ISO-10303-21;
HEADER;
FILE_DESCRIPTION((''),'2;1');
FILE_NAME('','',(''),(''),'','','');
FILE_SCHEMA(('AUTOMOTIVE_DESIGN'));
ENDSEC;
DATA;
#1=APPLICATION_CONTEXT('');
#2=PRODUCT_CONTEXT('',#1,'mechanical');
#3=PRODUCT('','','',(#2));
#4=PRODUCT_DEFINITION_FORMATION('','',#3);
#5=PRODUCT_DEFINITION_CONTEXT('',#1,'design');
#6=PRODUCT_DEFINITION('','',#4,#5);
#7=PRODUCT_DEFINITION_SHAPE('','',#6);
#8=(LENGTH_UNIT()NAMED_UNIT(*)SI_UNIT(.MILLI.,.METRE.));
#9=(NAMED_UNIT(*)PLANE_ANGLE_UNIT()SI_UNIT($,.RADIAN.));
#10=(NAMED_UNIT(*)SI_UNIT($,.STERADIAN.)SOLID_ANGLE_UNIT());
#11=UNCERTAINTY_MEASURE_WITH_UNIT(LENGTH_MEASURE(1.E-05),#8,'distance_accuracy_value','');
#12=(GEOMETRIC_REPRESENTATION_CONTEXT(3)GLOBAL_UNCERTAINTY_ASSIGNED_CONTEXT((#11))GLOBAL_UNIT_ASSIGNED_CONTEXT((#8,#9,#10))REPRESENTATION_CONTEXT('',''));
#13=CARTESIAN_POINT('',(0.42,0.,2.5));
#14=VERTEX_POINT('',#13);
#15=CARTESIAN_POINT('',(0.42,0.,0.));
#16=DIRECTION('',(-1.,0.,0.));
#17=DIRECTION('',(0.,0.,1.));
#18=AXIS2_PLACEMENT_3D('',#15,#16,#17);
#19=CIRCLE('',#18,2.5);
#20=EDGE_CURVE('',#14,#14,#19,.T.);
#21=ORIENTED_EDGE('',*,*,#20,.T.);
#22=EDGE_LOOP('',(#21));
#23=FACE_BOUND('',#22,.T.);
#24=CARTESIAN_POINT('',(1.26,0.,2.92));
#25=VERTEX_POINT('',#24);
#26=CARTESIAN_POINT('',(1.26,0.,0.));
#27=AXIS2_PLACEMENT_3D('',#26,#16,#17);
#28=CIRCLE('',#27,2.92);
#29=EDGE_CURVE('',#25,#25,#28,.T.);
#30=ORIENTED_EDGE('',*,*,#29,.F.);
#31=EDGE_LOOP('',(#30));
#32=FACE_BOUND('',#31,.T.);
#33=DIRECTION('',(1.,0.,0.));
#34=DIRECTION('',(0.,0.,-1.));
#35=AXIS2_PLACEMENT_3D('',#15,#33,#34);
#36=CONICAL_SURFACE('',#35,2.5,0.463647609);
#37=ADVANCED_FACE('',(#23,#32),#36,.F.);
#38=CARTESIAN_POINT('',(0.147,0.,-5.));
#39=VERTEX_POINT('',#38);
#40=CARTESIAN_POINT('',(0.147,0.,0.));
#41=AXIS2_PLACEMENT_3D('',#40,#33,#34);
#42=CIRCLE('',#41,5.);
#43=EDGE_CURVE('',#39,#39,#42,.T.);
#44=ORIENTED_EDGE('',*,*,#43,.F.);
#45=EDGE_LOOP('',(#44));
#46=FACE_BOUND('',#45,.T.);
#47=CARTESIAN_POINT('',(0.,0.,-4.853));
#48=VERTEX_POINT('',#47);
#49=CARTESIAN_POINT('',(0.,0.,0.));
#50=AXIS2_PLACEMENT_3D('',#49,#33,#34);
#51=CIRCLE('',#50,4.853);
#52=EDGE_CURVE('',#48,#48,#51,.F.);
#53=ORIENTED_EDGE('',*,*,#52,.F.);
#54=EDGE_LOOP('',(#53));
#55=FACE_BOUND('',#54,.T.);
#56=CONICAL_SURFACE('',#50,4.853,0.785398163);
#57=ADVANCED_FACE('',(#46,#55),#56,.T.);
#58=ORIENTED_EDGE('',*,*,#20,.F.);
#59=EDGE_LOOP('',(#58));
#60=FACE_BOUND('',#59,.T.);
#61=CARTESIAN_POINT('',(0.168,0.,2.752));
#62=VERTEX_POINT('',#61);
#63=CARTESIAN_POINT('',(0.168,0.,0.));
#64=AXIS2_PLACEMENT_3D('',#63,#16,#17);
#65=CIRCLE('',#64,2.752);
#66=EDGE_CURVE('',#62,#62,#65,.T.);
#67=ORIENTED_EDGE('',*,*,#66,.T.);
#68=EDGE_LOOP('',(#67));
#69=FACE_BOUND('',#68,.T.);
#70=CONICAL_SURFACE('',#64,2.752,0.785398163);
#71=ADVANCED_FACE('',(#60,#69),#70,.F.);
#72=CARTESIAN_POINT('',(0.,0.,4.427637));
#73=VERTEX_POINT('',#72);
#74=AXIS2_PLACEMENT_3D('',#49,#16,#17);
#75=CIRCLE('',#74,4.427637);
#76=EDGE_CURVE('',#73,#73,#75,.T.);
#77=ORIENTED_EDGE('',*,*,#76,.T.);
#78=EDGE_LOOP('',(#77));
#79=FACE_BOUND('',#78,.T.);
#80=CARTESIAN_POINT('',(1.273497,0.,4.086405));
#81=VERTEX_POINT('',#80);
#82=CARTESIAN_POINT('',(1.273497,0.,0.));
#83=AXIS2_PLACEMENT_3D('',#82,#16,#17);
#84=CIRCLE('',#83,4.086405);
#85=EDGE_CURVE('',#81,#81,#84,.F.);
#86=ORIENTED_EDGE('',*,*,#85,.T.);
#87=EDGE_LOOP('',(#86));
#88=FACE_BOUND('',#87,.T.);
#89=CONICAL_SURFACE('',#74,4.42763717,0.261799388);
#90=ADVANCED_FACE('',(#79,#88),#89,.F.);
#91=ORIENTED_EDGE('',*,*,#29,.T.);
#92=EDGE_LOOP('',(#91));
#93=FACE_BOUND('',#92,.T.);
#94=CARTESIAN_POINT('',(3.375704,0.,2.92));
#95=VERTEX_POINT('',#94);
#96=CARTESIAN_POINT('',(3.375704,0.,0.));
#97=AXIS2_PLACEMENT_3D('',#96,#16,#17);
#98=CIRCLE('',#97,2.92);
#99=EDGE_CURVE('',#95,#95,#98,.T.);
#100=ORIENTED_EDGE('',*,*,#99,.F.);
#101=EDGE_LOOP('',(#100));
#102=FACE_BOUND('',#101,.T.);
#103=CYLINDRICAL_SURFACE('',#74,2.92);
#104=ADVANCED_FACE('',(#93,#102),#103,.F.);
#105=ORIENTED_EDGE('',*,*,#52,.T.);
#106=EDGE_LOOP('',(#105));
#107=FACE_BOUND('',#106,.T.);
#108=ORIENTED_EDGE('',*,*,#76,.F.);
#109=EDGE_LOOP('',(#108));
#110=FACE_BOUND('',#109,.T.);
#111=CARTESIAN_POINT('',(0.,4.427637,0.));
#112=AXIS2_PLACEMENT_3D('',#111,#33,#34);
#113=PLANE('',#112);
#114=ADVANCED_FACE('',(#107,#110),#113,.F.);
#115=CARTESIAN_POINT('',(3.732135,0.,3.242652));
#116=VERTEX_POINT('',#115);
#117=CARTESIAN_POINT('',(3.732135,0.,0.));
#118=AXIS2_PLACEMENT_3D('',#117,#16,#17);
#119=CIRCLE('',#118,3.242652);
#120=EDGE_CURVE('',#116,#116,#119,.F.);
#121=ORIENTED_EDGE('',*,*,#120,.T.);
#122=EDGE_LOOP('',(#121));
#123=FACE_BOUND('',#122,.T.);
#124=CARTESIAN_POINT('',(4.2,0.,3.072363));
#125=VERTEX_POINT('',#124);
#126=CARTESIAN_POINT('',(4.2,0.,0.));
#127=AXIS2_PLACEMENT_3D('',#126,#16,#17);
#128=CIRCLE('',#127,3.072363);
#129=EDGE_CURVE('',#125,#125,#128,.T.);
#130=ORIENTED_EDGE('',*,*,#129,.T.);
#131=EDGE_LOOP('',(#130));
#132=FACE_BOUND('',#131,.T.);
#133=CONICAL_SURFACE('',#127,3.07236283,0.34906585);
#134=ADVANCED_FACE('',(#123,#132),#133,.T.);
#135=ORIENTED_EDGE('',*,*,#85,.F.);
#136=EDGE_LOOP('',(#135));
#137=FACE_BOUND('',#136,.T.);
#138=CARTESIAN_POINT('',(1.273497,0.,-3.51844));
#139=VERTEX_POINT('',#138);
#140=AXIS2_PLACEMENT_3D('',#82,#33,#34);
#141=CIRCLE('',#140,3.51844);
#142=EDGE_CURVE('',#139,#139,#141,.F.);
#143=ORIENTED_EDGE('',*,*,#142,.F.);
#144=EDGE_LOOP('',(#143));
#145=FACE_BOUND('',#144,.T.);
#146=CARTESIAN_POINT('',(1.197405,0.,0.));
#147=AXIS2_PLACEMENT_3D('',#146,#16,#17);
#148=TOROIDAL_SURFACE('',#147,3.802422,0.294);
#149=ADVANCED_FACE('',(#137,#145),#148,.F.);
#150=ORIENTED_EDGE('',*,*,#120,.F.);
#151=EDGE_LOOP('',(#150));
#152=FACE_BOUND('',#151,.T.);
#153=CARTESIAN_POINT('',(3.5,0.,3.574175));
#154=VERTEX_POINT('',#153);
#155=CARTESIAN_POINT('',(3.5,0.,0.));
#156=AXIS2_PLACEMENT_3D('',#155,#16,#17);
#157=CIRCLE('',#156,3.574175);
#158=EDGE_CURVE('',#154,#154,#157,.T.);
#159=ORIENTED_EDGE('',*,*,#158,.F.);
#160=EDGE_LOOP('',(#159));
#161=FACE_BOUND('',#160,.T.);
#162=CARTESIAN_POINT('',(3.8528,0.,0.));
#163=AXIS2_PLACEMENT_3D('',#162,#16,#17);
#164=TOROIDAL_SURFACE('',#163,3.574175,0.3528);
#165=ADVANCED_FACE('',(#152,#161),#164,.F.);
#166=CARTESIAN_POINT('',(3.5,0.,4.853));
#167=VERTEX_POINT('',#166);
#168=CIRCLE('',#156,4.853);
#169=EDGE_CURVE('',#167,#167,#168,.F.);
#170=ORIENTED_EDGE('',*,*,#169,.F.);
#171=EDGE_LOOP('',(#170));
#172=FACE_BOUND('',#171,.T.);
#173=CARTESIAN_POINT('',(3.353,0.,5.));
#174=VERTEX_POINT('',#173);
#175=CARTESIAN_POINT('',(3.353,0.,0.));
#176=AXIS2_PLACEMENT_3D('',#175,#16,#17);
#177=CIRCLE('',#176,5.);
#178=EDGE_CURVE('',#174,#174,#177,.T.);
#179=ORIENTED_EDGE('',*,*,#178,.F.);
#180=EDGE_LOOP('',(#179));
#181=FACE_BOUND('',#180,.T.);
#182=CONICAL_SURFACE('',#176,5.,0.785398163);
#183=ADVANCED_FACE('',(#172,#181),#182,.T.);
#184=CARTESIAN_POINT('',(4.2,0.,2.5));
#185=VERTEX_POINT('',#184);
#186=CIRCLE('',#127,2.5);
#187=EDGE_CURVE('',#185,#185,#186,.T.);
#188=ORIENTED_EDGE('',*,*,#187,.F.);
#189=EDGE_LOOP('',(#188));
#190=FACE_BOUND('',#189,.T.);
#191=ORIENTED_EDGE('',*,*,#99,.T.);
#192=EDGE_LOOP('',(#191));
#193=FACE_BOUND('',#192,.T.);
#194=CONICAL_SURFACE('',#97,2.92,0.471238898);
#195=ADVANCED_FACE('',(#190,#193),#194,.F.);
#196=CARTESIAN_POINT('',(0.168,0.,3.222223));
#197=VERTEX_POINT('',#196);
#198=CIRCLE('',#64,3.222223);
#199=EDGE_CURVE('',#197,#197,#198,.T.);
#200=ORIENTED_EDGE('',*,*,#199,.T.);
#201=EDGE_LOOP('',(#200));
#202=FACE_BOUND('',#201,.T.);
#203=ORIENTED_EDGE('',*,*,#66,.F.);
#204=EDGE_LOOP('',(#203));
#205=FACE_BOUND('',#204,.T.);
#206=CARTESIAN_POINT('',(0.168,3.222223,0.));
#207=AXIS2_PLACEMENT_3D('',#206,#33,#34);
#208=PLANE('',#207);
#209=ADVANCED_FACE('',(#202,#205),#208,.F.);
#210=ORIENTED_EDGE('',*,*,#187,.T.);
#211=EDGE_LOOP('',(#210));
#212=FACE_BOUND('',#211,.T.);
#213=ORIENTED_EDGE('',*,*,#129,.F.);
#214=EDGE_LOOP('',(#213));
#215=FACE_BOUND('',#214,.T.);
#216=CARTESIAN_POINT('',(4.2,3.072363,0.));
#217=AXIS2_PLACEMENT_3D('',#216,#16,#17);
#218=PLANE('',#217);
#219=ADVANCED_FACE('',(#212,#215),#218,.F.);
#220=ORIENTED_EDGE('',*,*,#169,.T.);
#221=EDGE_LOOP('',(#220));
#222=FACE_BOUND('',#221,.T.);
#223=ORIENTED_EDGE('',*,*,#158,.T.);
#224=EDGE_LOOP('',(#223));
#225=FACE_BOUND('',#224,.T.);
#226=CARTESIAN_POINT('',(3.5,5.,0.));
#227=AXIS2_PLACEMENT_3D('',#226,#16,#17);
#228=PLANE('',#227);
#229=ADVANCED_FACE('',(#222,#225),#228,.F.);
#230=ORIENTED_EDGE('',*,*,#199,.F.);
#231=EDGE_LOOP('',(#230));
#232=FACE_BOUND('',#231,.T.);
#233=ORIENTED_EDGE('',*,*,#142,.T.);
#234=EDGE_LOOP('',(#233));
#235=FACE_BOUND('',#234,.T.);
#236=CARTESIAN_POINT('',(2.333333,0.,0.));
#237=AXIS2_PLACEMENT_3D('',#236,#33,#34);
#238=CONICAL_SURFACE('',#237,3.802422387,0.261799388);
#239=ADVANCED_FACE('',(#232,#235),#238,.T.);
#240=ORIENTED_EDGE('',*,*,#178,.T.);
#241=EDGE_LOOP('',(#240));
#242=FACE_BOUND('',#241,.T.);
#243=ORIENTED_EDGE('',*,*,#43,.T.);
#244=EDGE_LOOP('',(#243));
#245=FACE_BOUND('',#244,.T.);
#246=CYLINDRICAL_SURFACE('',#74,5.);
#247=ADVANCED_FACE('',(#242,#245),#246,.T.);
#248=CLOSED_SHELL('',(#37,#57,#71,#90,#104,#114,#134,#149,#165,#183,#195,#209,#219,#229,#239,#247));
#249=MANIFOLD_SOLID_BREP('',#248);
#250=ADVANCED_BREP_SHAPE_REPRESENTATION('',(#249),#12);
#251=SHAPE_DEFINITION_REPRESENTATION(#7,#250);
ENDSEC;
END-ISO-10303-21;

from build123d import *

# Parameters (mm, degrees)
ZAOBLIT1_R   = 0.294
ZKOSIT1_SIZE = 0.147
ZAOBLIT2_R   = 0.3528


with BuildPart() as part:
    # Skica1 → Otočit kolem osy1 (revolve)
    with BuildSketch(Plane.XY, mode=Mode.PRIVATE) as oto_it_kolem_osy1_sk:
        Polygon((0, 5), (3.5, 5), (3.5, 3.327141994), (4.2, 3.07236283), (4.2, 2.5), (3.375703588, 2.92), (1.26, 2.92), (0.42, 2.5), (0.168, 2.752), (0.168, 3.222223069), (2.333333333, 3.802422387), (0, 4.42763717), align=None)
    revolve(oto_it_kolem_osy1_sk.sketch.rotate(Axis((0, 0, 0), (1, 0, 0)), 90), axis=Axis((0, 0, 0), (1, 0, 0)))

    # Zaoblit1
    zaoblit1_edges = [part.edges().sort_by_distance(p)[0] for p in [
        (2.333333333, 0, -3.802422387),
    ]]
    fillet(zaoblit1_edges, radius=ZAOBLIT1_R)

    # Zkosit1
    zkosit1_edges = [part.edges().sort_by_distance(p)[0] for p in [
        (3.5, 0, -5),
        (0, 0, -5),
    ]]
    chamfer(zkosit1_edges, length=ZKOSIT1_SIZE)

    # Zaoblit2
    zaoblit2_edges = [part.edges().sort_by_distance(p)[0] for p in [
        (3.5, 0, -3.327141994),
    ]]
    fillet(zaoblit2_edges, radius=ZAOBLIT2_R)


solid = part.part
